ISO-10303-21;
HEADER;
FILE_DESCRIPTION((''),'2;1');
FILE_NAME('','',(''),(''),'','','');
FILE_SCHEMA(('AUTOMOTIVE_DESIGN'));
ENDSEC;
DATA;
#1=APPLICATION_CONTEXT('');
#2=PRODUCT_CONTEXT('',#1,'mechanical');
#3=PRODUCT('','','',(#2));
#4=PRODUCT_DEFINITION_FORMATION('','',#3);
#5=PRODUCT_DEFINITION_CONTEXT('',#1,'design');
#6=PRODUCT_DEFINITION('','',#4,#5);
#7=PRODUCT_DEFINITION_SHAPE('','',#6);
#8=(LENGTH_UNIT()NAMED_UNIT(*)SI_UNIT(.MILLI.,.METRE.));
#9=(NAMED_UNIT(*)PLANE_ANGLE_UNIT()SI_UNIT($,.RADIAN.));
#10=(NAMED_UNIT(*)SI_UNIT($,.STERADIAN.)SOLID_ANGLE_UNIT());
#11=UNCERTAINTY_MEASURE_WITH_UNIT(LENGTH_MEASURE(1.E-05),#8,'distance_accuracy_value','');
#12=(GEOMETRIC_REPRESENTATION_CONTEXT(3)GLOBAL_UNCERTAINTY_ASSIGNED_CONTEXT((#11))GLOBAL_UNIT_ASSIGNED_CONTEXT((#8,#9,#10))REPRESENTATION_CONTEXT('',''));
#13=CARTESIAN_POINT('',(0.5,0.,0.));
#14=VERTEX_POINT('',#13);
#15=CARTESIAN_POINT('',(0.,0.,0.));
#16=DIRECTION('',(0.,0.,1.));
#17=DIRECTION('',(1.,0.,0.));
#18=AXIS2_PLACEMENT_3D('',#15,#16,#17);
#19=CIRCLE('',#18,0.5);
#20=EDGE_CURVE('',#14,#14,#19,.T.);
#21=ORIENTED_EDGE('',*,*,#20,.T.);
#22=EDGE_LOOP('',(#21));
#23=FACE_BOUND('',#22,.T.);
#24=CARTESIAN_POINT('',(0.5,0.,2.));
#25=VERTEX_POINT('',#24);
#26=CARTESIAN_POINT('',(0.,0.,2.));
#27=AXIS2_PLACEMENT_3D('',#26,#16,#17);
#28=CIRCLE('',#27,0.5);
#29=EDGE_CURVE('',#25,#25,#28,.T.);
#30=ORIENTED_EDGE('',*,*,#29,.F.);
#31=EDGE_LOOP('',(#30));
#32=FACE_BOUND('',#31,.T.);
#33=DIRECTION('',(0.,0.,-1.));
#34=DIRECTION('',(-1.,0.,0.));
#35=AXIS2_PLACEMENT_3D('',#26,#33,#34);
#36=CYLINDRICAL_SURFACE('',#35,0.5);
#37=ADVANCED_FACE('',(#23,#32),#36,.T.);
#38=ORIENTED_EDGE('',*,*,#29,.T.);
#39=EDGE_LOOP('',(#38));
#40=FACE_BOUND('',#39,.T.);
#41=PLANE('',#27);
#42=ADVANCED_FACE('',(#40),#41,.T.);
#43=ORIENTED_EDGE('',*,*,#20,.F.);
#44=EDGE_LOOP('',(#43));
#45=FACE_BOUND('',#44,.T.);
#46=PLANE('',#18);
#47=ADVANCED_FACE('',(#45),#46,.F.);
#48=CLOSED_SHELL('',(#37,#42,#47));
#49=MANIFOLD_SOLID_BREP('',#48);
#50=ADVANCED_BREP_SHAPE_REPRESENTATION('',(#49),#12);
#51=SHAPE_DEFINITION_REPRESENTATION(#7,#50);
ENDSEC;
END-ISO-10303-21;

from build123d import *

# Parameters (mm, degrees)
CROQUIS1_R              = 0.5
SALIENTE_EXTRUIR1_DEPTH = 2


with BuildPart() as part:
    # Croquis1 → Saliente-Extruir1 (new body)
    with BuildSketch(Plane.XY):
        Circle(CROQUIS1_R)
    extrude(amount=SALIENTE_EXTRUIR1_DEPTH)


solid = part.part
